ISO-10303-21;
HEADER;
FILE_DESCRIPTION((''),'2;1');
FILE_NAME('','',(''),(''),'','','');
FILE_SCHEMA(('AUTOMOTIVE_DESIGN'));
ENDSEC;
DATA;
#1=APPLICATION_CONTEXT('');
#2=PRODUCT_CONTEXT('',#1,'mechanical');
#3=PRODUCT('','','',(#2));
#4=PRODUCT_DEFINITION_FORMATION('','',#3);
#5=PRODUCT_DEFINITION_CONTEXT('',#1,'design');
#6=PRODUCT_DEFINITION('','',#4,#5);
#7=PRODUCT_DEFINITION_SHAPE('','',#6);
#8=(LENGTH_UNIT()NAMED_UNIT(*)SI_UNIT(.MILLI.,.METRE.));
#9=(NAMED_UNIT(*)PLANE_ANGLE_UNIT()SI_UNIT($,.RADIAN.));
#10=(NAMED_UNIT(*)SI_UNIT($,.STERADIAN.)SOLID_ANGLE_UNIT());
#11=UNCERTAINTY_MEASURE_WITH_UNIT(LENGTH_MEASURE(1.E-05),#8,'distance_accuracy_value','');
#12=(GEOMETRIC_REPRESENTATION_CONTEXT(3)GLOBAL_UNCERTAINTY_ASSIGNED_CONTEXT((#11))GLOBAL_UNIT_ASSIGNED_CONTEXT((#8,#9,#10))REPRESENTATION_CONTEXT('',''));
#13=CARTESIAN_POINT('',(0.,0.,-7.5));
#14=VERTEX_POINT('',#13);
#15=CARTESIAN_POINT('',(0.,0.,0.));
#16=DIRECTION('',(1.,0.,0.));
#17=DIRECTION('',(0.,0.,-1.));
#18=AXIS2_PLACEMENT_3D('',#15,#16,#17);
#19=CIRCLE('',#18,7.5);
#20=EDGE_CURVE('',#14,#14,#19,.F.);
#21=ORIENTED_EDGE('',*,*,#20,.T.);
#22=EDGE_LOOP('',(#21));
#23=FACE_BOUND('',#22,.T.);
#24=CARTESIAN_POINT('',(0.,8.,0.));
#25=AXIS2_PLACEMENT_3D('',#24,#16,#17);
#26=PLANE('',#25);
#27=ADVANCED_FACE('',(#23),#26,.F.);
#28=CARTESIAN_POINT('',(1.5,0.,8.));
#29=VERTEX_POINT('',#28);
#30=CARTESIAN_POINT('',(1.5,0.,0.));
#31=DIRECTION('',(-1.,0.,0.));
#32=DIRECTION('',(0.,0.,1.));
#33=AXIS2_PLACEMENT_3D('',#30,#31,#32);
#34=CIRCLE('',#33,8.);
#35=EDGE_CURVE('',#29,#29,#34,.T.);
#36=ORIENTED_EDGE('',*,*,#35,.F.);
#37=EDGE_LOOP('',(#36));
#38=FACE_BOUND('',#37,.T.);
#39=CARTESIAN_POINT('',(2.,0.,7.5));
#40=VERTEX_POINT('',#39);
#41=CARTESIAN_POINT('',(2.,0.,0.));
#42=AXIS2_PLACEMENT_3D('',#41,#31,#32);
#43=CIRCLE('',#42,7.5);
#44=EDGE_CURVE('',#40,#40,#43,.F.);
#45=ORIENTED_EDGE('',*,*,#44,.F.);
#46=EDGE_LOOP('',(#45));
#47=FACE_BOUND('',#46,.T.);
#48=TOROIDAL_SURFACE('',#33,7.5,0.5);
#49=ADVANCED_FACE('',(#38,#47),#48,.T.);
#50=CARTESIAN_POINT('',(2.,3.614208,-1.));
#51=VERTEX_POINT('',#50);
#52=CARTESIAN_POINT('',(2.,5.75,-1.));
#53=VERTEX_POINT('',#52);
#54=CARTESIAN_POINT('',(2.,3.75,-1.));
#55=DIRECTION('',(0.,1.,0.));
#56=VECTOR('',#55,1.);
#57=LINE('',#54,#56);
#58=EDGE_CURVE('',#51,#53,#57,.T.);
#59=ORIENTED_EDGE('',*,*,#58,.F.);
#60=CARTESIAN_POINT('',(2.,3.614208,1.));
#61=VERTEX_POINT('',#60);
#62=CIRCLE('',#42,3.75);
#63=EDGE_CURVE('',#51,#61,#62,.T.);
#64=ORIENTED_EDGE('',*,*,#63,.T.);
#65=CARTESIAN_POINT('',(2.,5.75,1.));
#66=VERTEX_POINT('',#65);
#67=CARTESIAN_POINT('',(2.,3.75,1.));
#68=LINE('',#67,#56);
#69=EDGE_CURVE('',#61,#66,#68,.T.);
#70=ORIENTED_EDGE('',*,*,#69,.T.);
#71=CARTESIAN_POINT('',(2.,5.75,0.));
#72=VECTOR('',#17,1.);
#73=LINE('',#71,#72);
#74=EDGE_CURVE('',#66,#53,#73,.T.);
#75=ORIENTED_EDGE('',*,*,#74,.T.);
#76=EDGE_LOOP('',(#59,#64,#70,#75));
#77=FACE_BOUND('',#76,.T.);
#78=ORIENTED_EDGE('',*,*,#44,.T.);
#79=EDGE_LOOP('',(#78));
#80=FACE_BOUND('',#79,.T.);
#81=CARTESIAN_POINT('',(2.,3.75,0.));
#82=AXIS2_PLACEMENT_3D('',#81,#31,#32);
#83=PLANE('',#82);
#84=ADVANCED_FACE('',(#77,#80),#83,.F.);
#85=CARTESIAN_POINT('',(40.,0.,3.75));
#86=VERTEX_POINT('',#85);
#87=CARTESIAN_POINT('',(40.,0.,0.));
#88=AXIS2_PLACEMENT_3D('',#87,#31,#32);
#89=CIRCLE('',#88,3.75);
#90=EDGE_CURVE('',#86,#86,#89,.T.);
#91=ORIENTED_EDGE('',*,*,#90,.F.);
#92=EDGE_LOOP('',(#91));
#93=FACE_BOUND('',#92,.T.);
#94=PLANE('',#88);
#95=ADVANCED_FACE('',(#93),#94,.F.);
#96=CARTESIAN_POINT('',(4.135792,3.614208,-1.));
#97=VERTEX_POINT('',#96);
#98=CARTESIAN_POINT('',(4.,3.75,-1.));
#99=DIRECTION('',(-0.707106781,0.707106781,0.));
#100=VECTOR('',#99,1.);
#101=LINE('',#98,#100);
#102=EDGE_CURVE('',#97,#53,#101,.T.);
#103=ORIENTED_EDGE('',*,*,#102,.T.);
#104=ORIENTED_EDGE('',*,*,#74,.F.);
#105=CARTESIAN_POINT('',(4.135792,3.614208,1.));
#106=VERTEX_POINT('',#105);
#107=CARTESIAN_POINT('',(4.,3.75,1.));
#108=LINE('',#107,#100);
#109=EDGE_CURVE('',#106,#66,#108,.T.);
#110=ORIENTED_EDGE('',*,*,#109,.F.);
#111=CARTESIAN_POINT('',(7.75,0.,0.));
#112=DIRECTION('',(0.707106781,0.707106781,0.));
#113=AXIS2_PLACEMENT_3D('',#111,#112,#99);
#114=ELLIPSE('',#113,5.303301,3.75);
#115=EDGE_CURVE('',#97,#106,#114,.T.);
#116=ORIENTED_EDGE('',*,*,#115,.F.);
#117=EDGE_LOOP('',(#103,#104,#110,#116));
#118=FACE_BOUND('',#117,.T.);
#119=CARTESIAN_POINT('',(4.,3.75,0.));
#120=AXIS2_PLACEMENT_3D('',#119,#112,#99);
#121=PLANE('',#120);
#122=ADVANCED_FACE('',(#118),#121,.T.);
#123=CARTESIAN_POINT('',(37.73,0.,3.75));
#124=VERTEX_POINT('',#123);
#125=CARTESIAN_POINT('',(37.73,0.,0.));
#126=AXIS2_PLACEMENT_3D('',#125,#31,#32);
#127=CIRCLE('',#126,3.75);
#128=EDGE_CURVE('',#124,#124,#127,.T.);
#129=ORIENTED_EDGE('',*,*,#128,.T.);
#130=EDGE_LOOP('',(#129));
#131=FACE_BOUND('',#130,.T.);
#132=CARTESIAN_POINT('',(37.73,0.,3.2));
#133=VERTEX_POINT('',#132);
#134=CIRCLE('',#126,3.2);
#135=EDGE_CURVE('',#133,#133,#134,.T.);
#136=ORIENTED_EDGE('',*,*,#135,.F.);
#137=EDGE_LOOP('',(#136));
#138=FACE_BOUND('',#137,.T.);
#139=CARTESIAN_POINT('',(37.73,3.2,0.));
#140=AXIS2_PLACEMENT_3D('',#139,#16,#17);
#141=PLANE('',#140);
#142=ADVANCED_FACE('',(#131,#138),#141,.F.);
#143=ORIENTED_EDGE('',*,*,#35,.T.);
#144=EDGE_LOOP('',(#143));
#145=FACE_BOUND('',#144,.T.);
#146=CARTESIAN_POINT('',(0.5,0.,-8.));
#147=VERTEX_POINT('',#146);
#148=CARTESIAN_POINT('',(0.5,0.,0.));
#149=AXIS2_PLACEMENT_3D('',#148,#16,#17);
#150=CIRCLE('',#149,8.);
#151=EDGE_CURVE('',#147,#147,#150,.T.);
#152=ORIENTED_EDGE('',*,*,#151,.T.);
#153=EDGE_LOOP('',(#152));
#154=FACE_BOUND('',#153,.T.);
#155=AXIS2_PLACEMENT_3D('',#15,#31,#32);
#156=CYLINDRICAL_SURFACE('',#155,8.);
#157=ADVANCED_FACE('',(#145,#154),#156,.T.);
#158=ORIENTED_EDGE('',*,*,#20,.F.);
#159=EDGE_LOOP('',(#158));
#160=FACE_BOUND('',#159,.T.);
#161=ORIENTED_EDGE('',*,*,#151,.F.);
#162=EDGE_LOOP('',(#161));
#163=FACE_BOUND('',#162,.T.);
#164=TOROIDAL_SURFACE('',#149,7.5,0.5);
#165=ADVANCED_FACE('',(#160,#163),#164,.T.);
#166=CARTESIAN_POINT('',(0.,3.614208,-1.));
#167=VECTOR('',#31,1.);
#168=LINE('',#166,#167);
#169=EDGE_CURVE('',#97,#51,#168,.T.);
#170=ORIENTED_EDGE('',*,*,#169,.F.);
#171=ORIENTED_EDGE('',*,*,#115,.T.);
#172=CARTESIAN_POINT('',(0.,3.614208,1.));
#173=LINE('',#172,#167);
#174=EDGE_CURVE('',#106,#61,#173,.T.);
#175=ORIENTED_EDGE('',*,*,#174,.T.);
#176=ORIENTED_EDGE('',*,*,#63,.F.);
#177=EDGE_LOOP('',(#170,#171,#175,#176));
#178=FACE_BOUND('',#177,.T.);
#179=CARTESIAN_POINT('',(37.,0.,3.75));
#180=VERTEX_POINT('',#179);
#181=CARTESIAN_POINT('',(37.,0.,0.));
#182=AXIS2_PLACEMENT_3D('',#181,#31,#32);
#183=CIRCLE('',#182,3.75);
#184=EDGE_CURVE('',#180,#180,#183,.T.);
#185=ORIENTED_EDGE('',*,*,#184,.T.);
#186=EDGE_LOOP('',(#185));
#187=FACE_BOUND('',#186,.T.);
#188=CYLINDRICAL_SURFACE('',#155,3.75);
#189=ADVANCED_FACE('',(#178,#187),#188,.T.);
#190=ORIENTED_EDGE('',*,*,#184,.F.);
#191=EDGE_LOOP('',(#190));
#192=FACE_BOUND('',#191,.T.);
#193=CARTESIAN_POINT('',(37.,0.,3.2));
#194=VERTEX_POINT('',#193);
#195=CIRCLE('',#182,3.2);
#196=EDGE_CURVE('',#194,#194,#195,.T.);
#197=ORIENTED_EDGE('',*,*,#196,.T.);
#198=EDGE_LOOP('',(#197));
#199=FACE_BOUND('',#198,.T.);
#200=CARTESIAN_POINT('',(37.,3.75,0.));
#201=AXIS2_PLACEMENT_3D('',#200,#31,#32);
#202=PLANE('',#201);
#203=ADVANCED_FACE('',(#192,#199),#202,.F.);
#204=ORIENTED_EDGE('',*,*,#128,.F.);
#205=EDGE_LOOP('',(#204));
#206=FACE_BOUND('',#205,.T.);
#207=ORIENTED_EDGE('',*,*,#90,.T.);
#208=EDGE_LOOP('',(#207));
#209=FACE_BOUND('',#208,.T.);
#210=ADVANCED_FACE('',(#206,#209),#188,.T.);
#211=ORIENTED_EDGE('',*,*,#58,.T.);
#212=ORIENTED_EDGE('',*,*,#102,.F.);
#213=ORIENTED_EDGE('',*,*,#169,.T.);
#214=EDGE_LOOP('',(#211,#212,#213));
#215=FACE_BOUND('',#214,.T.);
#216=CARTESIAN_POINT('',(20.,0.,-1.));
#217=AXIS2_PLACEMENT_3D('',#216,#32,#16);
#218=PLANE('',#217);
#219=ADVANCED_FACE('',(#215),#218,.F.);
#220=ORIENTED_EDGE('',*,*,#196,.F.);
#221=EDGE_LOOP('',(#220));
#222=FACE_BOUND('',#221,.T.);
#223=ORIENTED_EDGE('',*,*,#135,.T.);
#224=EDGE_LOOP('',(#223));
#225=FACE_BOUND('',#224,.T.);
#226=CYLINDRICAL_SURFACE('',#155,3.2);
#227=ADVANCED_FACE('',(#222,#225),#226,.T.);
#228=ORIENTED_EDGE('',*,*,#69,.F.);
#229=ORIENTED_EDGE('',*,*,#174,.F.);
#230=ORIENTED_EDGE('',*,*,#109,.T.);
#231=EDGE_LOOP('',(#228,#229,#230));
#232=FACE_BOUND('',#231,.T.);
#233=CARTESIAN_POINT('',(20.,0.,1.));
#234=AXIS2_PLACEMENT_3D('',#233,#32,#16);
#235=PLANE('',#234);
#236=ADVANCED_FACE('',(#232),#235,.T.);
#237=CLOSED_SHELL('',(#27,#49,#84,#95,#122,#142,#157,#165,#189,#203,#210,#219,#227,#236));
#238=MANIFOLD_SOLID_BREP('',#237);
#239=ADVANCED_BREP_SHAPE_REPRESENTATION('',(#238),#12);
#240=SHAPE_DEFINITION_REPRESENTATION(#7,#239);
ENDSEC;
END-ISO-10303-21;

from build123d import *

# Parameters (mm, degrees)
FILLET1_R      = 0.5
RIB1_REACH     = 43.569
SKETCH2_WALL_W = 87.966865888
SKETCH2_WALL_H = 2


with BuildPart() as part:
    # Sketch1 → Revolve1 (revolve)
    with BuildSketch(Plane.XY, mode=Mode.PRIVATE) as revolve1_sk:
        Polygon((0, 8), (0, 0), (40, 0), (40, 3.75), (37.73, 3.75), (37.73, 3.2), (37, 3.2), (37, 3.75), (2, 3.75), (2, 8), align=None)
    revolve(revolve1_sk.sketch.rotate(Axis((0, 0, 0), (1, 0, 0)), 90), axis=Axis((0, 0, 0), (1, 0, 0)))

    # Fillet1
    fillet1_edges = [part.edges().sort_by_distance(p)[0] for p in [
        (0, 0, -8),
        (2, 0, -8),
    ]]
    fillet(fillet1_edges, radius=FILLET1_R)

    # Sketch2 wall → Rib1 (add, up to next)
    with BuildSketch(Plane(origin=(3, 4.75, 0), x_dir=(-0.707106781187, 0.707106781187, 0), z_dir=(-0.707106781187, -0.707106781187, 0)), mode=Mode.PRIVATE) as rib1_sk1:
        Rectangle(SKETCH2_WALL_W, SKETCH2_WALL_H)
    rib1_tool1 = extrude(rib1_sk1.sketch, amount=RIB1_REACH, mode=Mode.PRIVATE) - part.part
    add(rib1_tool1.solids().sort_by_distance((3, 4.75, 0))[0])


solid = part.part
